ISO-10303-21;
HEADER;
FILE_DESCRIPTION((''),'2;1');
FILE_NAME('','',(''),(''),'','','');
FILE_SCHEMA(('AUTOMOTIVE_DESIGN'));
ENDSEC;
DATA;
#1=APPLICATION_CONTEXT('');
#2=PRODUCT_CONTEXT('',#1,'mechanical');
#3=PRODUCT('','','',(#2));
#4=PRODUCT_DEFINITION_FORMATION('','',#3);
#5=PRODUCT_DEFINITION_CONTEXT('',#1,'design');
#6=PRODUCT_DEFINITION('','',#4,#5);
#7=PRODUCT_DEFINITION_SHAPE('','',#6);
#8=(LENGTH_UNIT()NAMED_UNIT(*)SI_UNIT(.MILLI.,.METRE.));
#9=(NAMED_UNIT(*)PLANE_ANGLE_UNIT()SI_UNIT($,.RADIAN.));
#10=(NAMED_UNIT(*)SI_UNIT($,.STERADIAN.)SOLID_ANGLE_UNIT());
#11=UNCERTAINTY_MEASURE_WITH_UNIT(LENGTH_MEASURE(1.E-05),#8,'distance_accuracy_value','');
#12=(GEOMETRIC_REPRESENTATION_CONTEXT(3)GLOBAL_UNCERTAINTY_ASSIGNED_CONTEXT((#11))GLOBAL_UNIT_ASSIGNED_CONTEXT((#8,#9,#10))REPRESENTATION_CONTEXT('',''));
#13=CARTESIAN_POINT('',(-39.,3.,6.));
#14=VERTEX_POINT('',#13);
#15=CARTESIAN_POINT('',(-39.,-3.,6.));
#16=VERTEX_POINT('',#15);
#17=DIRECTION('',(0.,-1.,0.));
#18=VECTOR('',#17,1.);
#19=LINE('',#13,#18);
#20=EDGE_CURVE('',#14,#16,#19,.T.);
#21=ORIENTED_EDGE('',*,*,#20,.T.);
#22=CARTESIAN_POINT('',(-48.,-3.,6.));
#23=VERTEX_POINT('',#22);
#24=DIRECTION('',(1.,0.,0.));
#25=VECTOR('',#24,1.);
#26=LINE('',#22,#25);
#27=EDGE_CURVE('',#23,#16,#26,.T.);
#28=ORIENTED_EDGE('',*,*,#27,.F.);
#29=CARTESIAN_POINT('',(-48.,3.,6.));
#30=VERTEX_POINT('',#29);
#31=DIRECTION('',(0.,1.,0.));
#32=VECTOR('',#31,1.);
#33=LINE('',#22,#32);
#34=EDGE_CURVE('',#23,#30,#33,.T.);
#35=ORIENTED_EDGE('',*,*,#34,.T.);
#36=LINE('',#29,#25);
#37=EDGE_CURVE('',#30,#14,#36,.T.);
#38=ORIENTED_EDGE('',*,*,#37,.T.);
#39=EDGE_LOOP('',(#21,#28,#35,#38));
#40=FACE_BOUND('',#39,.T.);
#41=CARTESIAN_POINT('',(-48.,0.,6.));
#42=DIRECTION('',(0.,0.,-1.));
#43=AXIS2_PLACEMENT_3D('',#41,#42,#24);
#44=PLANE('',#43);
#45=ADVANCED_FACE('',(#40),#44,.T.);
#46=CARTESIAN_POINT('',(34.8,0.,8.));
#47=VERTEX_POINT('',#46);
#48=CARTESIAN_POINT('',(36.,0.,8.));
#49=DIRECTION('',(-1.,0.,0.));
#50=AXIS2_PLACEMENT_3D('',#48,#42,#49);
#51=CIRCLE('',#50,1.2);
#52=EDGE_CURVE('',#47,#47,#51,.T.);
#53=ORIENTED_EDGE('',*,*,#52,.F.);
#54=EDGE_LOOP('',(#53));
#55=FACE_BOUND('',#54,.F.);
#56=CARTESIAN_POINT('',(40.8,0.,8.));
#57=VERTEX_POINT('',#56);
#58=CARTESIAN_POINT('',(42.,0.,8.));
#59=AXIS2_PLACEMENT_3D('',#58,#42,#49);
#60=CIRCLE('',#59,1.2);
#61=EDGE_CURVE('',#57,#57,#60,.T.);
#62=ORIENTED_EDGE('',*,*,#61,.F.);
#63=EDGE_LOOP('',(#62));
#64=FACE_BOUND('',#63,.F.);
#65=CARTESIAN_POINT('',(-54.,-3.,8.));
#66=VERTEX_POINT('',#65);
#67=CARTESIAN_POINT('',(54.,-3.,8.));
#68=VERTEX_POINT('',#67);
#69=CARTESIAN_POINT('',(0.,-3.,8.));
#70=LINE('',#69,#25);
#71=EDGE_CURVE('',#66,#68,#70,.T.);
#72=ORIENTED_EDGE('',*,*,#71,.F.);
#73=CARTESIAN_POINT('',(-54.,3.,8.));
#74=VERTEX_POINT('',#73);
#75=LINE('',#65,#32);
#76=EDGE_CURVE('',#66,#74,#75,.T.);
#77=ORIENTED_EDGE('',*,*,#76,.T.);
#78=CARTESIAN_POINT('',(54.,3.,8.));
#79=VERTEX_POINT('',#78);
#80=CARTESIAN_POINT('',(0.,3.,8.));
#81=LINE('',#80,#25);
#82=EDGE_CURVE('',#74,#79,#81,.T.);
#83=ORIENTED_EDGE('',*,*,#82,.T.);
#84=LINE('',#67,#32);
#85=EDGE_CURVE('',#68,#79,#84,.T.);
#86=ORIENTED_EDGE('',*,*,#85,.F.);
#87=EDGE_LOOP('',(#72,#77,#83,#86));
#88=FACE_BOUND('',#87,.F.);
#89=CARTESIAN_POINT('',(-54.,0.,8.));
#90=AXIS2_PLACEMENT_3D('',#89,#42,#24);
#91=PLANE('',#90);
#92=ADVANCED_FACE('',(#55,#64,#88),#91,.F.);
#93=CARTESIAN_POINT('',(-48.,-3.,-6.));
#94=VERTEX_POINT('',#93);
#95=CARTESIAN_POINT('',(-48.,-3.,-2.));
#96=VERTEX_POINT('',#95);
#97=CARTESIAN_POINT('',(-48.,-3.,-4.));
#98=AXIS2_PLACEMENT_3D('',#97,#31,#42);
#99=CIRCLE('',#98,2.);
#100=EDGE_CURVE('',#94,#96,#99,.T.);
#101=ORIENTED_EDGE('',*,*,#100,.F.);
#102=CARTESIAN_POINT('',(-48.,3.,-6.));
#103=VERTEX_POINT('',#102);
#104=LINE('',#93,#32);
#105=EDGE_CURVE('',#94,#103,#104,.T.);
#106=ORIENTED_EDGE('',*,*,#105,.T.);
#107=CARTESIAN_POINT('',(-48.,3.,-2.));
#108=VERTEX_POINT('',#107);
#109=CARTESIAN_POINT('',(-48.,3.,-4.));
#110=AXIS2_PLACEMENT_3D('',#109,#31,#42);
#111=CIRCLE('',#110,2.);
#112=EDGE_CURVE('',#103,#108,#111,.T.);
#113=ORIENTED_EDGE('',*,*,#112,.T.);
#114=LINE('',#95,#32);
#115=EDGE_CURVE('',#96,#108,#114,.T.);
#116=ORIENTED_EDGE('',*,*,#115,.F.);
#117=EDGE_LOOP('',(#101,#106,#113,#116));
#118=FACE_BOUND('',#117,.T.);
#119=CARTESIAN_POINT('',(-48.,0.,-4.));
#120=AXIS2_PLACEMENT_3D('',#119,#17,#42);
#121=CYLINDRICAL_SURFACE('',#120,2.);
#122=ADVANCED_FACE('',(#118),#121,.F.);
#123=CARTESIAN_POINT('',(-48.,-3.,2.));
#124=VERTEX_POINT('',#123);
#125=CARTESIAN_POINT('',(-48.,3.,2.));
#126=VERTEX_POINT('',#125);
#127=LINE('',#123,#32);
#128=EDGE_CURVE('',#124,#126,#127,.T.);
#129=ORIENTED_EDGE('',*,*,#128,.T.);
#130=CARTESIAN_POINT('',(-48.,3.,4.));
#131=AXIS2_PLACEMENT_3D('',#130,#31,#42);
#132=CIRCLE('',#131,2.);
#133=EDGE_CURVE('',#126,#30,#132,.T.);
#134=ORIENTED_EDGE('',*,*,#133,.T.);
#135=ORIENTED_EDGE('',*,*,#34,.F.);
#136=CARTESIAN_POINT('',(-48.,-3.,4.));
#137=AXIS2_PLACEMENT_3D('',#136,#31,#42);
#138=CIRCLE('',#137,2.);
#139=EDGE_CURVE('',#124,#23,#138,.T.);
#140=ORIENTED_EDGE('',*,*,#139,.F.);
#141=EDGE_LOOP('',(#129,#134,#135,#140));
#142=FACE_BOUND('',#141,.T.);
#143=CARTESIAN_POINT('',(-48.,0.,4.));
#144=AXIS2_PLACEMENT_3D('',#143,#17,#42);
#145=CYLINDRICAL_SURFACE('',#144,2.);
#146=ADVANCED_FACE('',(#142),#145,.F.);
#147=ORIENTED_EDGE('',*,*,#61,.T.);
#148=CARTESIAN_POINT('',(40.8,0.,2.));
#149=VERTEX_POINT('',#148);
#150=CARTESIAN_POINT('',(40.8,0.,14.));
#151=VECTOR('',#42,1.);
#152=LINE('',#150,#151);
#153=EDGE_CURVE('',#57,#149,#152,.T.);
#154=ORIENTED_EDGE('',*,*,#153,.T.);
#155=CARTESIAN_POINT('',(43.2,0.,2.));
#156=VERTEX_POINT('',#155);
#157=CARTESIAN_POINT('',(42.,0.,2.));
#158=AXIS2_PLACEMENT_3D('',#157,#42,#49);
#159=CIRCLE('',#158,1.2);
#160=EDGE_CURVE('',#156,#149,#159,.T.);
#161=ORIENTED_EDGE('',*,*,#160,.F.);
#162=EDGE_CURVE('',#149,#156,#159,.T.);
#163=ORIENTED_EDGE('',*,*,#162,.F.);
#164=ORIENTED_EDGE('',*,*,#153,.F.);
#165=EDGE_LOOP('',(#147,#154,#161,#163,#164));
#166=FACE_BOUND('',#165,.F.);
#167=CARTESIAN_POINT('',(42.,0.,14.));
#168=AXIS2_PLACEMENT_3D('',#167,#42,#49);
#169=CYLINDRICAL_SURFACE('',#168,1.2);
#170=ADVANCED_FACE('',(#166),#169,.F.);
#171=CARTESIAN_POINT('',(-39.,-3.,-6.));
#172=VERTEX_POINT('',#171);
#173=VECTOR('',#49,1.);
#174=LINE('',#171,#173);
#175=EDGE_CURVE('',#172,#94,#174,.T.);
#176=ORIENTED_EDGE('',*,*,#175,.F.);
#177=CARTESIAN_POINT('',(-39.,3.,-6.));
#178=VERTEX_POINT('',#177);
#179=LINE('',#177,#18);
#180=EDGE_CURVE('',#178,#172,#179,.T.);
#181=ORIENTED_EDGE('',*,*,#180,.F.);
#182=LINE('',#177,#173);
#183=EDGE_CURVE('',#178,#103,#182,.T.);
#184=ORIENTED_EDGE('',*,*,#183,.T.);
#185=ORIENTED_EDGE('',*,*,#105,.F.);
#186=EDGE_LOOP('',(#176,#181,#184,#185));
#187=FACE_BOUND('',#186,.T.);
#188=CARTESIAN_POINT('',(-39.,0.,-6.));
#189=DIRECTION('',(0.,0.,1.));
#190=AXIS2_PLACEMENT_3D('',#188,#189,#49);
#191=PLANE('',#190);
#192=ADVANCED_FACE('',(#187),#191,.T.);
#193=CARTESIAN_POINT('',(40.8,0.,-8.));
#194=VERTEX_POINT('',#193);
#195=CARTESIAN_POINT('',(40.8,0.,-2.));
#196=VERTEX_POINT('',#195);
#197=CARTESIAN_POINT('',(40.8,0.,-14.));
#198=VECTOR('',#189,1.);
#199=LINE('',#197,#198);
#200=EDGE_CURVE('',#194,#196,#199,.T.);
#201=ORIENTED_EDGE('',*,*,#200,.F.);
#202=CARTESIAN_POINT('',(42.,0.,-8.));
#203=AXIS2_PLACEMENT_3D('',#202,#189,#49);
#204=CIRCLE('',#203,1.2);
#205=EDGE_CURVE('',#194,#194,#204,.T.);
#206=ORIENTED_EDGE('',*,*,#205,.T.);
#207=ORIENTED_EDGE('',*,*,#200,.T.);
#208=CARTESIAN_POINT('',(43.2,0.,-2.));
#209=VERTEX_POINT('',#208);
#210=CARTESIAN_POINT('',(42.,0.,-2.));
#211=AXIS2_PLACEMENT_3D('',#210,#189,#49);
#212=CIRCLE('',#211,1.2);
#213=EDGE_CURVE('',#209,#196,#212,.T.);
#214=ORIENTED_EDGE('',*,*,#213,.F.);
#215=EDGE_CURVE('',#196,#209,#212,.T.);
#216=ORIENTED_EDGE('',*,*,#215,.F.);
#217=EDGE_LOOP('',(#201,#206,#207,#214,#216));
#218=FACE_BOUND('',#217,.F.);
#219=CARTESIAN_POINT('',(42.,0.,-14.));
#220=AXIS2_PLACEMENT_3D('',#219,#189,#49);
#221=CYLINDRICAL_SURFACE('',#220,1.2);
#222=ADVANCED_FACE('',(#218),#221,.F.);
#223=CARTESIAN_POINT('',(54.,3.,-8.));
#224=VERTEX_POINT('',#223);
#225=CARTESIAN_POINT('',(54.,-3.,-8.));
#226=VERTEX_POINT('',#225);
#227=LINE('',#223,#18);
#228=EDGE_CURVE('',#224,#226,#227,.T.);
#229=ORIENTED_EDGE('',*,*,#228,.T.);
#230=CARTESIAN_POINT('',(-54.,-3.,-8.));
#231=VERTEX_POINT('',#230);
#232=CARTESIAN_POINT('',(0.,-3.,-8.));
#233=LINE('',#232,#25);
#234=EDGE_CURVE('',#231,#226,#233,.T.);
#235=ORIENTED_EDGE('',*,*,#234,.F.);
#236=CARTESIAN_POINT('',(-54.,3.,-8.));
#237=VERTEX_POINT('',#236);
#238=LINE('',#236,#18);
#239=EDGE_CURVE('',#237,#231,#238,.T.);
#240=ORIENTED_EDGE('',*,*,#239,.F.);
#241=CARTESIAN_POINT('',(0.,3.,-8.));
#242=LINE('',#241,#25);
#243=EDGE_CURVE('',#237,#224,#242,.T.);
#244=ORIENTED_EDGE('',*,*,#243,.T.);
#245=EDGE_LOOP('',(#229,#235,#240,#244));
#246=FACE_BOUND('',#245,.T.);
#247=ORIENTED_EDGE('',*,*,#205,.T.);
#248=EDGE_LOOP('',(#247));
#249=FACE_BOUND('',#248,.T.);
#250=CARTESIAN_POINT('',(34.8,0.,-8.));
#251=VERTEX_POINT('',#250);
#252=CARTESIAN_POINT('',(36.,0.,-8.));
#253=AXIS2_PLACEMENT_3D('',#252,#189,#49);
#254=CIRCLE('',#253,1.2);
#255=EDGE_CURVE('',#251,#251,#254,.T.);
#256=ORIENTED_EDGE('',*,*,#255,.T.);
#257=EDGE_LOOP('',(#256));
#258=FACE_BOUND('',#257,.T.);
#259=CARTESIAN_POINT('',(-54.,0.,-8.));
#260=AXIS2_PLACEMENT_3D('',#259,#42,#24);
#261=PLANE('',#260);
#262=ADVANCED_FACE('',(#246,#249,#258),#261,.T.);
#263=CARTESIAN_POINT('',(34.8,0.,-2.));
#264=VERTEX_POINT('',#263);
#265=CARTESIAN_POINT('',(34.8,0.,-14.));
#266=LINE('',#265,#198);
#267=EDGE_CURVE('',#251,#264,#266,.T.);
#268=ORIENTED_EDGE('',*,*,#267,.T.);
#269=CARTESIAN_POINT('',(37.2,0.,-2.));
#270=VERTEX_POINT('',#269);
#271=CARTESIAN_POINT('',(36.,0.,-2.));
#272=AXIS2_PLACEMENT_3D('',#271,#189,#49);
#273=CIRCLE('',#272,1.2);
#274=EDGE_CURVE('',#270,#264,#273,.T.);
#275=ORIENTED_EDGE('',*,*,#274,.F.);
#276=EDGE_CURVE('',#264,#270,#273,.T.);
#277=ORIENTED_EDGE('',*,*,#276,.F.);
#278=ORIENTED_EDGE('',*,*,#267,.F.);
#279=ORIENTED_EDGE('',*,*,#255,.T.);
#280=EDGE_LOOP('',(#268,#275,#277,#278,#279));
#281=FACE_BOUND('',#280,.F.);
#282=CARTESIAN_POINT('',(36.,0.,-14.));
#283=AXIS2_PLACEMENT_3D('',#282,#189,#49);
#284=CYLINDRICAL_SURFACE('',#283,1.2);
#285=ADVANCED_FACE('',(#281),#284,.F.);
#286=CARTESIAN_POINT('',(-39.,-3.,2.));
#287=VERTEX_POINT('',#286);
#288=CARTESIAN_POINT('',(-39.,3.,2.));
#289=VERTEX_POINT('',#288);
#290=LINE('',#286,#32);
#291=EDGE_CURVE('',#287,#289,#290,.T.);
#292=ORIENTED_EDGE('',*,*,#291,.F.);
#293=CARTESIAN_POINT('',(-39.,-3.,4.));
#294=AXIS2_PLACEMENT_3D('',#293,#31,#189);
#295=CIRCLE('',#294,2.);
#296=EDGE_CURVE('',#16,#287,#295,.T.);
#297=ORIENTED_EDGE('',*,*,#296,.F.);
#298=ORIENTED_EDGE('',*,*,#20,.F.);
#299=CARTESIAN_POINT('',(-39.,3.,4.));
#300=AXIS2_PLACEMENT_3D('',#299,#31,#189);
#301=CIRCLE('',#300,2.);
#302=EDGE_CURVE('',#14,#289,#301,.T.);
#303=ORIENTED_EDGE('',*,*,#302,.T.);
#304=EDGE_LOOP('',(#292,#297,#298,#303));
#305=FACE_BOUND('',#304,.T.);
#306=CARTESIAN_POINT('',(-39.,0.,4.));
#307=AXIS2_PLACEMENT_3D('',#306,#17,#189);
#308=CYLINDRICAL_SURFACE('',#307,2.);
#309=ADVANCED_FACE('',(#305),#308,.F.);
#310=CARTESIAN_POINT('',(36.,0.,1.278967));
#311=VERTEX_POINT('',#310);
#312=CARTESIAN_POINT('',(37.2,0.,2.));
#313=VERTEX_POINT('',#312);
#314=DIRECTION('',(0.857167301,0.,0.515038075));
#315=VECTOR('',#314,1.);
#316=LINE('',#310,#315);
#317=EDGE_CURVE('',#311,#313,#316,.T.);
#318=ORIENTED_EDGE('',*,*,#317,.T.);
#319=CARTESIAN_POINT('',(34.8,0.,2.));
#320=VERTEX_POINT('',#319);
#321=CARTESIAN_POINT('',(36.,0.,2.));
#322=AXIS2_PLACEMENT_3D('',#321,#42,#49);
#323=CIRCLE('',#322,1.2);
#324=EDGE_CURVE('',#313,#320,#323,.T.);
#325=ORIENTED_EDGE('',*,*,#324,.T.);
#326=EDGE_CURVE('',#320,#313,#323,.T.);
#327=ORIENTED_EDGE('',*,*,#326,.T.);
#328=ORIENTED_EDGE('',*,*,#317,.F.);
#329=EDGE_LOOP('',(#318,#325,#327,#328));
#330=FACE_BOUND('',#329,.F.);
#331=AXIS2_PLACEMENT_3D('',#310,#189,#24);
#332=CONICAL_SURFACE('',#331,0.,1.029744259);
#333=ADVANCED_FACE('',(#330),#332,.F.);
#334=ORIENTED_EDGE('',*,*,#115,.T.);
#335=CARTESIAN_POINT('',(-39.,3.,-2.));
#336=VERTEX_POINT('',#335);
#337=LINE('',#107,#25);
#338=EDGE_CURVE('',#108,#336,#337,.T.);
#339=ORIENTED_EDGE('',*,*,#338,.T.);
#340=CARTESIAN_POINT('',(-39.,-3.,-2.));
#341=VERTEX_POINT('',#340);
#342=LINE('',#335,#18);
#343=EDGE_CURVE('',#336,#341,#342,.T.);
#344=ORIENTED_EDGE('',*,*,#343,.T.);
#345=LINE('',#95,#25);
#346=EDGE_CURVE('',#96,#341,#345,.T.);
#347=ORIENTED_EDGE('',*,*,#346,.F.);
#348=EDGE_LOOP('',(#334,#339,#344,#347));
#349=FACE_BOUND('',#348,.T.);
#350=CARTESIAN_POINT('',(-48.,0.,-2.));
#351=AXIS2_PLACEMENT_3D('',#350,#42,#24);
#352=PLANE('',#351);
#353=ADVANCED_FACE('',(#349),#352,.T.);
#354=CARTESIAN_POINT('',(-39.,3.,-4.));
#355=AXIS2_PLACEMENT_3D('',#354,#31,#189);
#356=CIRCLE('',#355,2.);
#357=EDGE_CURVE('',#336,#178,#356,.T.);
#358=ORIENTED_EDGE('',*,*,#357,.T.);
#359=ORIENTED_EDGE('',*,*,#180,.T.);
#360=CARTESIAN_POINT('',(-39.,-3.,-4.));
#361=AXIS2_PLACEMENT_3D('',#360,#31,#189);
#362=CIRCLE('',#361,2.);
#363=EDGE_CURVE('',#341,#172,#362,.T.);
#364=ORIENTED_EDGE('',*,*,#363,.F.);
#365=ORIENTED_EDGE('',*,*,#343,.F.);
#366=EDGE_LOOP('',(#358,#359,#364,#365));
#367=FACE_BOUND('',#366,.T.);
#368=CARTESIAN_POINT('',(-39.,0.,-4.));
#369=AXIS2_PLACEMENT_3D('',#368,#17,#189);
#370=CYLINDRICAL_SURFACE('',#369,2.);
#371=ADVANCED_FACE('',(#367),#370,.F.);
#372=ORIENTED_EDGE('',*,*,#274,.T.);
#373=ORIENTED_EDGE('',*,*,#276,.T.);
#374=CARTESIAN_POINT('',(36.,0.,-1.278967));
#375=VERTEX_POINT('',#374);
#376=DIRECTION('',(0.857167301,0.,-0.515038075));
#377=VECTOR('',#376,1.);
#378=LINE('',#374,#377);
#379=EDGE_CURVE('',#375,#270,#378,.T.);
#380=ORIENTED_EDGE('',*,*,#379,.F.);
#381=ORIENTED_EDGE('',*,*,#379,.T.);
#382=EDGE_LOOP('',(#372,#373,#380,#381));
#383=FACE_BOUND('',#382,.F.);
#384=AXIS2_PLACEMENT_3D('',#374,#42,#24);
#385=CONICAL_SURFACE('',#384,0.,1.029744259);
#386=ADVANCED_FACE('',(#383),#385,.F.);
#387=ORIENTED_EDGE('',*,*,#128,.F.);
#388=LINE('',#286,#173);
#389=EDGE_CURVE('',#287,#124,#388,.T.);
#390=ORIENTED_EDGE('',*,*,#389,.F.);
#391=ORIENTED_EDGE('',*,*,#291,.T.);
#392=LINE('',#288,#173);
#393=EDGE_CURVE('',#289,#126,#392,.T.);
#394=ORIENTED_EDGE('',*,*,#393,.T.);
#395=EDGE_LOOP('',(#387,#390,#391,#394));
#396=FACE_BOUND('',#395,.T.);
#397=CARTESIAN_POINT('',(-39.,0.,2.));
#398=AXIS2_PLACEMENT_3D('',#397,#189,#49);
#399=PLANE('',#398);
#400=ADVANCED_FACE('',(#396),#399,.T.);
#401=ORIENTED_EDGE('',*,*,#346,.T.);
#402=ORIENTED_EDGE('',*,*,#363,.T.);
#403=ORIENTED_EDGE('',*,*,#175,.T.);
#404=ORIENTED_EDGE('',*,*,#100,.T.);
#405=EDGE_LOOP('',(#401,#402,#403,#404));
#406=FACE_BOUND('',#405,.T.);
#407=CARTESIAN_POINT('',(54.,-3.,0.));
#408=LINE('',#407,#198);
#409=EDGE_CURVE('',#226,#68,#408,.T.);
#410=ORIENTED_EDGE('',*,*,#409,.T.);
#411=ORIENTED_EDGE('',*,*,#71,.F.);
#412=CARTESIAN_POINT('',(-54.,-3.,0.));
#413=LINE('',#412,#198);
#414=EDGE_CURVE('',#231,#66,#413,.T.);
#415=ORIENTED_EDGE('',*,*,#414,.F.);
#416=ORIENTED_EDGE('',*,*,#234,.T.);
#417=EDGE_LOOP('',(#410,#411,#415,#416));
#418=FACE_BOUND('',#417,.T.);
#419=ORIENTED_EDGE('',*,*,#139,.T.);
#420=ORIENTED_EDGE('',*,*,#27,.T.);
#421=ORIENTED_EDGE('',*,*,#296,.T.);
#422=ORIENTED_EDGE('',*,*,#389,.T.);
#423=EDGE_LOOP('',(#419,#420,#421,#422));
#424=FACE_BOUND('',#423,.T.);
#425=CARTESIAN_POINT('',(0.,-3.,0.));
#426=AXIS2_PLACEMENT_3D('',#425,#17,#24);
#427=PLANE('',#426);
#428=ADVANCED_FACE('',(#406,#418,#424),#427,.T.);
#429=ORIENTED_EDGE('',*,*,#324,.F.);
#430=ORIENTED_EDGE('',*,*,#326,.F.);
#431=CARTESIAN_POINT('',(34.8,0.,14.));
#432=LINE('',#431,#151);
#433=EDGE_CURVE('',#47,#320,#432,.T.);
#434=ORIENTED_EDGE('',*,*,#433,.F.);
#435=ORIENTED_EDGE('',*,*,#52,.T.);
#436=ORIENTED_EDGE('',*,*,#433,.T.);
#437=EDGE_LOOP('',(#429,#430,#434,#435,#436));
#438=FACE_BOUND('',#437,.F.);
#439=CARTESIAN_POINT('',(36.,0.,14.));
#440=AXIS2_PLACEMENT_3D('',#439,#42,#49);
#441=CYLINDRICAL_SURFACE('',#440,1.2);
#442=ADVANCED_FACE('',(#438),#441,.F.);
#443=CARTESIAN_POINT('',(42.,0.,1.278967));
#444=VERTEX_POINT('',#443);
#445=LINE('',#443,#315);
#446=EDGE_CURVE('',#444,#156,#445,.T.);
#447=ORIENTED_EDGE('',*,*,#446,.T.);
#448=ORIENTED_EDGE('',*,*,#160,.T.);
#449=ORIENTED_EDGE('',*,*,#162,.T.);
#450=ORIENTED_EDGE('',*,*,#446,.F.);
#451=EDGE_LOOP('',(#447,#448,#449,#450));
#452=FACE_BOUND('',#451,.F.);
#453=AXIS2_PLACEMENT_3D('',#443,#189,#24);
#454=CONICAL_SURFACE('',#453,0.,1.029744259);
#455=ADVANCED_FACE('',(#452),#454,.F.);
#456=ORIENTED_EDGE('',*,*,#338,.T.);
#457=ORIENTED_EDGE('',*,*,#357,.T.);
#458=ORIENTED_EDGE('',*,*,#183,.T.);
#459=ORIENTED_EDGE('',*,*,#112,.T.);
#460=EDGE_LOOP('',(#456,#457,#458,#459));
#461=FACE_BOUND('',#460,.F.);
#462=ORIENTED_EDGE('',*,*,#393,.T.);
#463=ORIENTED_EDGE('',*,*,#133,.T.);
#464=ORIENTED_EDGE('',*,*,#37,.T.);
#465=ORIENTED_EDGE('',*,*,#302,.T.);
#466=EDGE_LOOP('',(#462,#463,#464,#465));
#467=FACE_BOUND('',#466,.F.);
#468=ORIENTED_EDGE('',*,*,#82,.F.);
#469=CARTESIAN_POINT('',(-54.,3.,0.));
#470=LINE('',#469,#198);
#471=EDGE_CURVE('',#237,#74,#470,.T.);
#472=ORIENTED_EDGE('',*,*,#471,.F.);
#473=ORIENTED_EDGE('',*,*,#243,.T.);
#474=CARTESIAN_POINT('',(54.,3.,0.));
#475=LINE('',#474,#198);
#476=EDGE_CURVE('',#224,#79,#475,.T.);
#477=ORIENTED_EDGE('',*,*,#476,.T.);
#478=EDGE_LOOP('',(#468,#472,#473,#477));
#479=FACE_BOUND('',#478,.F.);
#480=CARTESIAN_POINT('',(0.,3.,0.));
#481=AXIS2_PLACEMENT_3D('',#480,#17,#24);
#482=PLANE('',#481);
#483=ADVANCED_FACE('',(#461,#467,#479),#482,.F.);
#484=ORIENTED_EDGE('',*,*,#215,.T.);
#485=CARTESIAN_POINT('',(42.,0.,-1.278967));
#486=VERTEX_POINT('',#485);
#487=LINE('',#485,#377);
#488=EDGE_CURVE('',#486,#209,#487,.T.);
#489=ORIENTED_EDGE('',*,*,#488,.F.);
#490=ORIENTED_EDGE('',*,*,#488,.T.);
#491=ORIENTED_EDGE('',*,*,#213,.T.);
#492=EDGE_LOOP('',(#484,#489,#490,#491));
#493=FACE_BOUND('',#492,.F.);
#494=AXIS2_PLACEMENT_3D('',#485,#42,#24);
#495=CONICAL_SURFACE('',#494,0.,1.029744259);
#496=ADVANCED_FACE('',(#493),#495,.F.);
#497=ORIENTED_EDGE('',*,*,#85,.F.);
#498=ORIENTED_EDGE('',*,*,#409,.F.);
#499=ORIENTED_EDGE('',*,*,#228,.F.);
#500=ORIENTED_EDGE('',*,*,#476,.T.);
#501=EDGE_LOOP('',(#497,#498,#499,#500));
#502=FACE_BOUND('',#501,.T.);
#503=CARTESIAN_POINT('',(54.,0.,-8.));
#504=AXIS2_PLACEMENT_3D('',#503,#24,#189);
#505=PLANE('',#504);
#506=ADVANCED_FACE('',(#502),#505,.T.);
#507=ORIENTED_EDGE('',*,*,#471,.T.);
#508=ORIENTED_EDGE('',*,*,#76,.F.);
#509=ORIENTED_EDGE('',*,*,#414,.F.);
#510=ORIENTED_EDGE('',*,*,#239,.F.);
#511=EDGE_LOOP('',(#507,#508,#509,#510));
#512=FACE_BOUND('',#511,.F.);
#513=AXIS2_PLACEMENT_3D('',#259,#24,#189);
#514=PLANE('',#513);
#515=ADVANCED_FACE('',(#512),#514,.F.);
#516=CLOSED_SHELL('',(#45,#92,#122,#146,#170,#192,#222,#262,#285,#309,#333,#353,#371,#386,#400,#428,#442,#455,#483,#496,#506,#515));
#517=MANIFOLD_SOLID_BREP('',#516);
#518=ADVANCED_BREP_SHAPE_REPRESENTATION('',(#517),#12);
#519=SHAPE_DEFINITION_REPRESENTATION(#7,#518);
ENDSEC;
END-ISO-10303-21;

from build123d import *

# Parameters (mm, degrees)
F0_W     = 108
F0_H     = 16
F1_DEPTH = 3
F3_D     = 2.4
F3_DEPTH = 6
F3_TIP   = 0.7210327428
F5_D     = 2.4
F5_DEPTH = 6
F5_TIP   = 0.7210327428


with BuildPart() as f1:
    # F0 (on Front) → F1 (new body, symmetric)
    with BuildSketch(Plane.XZ):
        Rectangle(F0_W, F0_H)
        with BuildLine():
            ThreePointArc((-39, -2), (-37, -4), (-39, -6))
            Line((-39, -6), (-48, -6))
            ThreePointArc((-48, -6), (-50, -4), (-48, -2))
            Line((-48, -2), (-39, -2))
        make_face(mode=Mode.SUBTRACT)
        with BuildLine():
            ThreePointArc((-39, 6), (-37, 4), (-39, 2))
            Line((-39, 2), (-48, 2))
            ThreePointArc((-48, 2), (-50, 4), (-48, 6))
            Line((-48, 6), (-39, 6))
        make_face(mode=Mode.SUBTRACT)
    extrude(amount=F1_DEPTH, both=True)

    # F3
    with Locations(Plane(origin=(0, 0, -8), x_dir=(1, 0, 0), z_dir=(0, 0, -1))):
        with Locations((36, 0), (42, 0)):
            Hole(F3_D / 2, depth=F3_DEPTH)
            with Locations((0, 0, -(F3_DEPTH + F3_TIP / 2))):  # 118° drill point
                Cone(0, F3_D / 2, F3_TIP, mode=Mode.SUBTRACT)

    # F5
    with Locations(Plane.XY.offset(8)):
        with Locations((36, 0), (42, 0)):
            Hole(F5_D / 2, depth=F5_DEPTH)
            with Locations((0, 0, -(F5_DEPTH + F5_TIP / 2))):  # 118° drill point
                Cone(0, F5_D / 2, F5_TIP, mode=Mode.SUBTRACT)


solid = f1.part
